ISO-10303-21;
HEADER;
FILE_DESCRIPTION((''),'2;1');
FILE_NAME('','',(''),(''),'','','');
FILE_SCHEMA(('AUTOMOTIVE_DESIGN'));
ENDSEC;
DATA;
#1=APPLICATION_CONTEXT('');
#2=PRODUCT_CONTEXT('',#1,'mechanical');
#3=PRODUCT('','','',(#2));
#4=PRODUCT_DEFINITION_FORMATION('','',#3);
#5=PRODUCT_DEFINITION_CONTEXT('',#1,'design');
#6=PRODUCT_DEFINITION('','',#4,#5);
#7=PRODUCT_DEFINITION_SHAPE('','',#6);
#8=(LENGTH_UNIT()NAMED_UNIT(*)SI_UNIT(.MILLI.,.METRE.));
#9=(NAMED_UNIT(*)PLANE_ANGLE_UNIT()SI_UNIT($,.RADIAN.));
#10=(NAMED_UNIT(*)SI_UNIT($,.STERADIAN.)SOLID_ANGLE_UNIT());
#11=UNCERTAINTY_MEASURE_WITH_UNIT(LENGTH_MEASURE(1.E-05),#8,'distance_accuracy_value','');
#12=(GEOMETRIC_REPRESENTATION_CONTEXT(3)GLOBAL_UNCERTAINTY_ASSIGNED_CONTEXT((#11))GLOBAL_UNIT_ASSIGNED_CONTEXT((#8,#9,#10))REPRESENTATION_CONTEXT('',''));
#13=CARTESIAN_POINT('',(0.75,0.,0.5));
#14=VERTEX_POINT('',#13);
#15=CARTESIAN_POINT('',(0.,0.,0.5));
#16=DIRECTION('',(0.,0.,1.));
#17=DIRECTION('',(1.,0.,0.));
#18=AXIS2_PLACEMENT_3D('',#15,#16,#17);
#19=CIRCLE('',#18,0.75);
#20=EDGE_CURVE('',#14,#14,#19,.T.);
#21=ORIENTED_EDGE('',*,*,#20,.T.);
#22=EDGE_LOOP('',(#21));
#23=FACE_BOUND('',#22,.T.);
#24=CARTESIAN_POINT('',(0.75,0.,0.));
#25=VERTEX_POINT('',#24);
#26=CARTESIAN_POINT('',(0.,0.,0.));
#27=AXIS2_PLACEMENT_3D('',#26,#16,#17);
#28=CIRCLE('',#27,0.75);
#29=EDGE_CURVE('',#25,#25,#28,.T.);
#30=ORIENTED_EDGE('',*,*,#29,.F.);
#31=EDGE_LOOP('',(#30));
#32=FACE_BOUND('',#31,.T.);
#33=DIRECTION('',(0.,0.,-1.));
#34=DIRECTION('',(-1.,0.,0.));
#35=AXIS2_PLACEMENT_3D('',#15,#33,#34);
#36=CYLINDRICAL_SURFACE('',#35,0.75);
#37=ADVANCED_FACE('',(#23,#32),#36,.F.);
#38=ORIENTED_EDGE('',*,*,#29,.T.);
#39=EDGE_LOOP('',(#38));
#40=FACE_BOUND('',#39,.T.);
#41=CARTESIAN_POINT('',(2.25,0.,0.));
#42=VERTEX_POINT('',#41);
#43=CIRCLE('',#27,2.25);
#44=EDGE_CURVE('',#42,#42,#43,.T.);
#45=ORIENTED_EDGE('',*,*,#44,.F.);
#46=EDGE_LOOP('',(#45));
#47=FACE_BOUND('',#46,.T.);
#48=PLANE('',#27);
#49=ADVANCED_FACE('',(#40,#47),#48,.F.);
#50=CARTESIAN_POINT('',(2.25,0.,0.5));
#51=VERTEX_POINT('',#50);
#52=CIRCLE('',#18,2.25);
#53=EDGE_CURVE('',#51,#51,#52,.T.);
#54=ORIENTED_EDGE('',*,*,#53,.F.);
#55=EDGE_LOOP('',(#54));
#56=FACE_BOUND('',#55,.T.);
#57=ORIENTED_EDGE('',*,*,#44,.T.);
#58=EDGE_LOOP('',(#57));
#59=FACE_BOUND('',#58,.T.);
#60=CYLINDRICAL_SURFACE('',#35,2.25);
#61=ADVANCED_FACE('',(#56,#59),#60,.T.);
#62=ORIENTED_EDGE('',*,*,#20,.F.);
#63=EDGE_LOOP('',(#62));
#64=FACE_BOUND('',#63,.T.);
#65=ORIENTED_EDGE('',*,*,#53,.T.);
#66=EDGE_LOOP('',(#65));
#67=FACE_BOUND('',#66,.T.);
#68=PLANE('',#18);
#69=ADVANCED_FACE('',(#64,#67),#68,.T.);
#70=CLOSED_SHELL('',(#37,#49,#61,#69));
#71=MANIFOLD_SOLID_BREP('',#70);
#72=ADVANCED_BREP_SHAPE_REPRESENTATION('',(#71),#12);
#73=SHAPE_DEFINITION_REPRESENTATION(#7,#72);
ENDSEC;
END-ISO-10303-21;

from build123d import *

# Parameters (mm, degrees)
SKETCH1_R           = 2.25
SKETCH1_R_2         = 0.75
BOSS_EXTRUDE1_DEPTH = 0.5


with BuildPart() as part:
    # Sketch1 → Boss-Extrude1 (new body)
    with BuildSketch(Plane.XY):
        Circle(SKETCH1_R)
        Circle(SKETCH1_R_2, mode=Mode.SUBTRACT)
    extrude(amount=BOSS_EXTRUDE1_DEPTH)


solid = part.part
